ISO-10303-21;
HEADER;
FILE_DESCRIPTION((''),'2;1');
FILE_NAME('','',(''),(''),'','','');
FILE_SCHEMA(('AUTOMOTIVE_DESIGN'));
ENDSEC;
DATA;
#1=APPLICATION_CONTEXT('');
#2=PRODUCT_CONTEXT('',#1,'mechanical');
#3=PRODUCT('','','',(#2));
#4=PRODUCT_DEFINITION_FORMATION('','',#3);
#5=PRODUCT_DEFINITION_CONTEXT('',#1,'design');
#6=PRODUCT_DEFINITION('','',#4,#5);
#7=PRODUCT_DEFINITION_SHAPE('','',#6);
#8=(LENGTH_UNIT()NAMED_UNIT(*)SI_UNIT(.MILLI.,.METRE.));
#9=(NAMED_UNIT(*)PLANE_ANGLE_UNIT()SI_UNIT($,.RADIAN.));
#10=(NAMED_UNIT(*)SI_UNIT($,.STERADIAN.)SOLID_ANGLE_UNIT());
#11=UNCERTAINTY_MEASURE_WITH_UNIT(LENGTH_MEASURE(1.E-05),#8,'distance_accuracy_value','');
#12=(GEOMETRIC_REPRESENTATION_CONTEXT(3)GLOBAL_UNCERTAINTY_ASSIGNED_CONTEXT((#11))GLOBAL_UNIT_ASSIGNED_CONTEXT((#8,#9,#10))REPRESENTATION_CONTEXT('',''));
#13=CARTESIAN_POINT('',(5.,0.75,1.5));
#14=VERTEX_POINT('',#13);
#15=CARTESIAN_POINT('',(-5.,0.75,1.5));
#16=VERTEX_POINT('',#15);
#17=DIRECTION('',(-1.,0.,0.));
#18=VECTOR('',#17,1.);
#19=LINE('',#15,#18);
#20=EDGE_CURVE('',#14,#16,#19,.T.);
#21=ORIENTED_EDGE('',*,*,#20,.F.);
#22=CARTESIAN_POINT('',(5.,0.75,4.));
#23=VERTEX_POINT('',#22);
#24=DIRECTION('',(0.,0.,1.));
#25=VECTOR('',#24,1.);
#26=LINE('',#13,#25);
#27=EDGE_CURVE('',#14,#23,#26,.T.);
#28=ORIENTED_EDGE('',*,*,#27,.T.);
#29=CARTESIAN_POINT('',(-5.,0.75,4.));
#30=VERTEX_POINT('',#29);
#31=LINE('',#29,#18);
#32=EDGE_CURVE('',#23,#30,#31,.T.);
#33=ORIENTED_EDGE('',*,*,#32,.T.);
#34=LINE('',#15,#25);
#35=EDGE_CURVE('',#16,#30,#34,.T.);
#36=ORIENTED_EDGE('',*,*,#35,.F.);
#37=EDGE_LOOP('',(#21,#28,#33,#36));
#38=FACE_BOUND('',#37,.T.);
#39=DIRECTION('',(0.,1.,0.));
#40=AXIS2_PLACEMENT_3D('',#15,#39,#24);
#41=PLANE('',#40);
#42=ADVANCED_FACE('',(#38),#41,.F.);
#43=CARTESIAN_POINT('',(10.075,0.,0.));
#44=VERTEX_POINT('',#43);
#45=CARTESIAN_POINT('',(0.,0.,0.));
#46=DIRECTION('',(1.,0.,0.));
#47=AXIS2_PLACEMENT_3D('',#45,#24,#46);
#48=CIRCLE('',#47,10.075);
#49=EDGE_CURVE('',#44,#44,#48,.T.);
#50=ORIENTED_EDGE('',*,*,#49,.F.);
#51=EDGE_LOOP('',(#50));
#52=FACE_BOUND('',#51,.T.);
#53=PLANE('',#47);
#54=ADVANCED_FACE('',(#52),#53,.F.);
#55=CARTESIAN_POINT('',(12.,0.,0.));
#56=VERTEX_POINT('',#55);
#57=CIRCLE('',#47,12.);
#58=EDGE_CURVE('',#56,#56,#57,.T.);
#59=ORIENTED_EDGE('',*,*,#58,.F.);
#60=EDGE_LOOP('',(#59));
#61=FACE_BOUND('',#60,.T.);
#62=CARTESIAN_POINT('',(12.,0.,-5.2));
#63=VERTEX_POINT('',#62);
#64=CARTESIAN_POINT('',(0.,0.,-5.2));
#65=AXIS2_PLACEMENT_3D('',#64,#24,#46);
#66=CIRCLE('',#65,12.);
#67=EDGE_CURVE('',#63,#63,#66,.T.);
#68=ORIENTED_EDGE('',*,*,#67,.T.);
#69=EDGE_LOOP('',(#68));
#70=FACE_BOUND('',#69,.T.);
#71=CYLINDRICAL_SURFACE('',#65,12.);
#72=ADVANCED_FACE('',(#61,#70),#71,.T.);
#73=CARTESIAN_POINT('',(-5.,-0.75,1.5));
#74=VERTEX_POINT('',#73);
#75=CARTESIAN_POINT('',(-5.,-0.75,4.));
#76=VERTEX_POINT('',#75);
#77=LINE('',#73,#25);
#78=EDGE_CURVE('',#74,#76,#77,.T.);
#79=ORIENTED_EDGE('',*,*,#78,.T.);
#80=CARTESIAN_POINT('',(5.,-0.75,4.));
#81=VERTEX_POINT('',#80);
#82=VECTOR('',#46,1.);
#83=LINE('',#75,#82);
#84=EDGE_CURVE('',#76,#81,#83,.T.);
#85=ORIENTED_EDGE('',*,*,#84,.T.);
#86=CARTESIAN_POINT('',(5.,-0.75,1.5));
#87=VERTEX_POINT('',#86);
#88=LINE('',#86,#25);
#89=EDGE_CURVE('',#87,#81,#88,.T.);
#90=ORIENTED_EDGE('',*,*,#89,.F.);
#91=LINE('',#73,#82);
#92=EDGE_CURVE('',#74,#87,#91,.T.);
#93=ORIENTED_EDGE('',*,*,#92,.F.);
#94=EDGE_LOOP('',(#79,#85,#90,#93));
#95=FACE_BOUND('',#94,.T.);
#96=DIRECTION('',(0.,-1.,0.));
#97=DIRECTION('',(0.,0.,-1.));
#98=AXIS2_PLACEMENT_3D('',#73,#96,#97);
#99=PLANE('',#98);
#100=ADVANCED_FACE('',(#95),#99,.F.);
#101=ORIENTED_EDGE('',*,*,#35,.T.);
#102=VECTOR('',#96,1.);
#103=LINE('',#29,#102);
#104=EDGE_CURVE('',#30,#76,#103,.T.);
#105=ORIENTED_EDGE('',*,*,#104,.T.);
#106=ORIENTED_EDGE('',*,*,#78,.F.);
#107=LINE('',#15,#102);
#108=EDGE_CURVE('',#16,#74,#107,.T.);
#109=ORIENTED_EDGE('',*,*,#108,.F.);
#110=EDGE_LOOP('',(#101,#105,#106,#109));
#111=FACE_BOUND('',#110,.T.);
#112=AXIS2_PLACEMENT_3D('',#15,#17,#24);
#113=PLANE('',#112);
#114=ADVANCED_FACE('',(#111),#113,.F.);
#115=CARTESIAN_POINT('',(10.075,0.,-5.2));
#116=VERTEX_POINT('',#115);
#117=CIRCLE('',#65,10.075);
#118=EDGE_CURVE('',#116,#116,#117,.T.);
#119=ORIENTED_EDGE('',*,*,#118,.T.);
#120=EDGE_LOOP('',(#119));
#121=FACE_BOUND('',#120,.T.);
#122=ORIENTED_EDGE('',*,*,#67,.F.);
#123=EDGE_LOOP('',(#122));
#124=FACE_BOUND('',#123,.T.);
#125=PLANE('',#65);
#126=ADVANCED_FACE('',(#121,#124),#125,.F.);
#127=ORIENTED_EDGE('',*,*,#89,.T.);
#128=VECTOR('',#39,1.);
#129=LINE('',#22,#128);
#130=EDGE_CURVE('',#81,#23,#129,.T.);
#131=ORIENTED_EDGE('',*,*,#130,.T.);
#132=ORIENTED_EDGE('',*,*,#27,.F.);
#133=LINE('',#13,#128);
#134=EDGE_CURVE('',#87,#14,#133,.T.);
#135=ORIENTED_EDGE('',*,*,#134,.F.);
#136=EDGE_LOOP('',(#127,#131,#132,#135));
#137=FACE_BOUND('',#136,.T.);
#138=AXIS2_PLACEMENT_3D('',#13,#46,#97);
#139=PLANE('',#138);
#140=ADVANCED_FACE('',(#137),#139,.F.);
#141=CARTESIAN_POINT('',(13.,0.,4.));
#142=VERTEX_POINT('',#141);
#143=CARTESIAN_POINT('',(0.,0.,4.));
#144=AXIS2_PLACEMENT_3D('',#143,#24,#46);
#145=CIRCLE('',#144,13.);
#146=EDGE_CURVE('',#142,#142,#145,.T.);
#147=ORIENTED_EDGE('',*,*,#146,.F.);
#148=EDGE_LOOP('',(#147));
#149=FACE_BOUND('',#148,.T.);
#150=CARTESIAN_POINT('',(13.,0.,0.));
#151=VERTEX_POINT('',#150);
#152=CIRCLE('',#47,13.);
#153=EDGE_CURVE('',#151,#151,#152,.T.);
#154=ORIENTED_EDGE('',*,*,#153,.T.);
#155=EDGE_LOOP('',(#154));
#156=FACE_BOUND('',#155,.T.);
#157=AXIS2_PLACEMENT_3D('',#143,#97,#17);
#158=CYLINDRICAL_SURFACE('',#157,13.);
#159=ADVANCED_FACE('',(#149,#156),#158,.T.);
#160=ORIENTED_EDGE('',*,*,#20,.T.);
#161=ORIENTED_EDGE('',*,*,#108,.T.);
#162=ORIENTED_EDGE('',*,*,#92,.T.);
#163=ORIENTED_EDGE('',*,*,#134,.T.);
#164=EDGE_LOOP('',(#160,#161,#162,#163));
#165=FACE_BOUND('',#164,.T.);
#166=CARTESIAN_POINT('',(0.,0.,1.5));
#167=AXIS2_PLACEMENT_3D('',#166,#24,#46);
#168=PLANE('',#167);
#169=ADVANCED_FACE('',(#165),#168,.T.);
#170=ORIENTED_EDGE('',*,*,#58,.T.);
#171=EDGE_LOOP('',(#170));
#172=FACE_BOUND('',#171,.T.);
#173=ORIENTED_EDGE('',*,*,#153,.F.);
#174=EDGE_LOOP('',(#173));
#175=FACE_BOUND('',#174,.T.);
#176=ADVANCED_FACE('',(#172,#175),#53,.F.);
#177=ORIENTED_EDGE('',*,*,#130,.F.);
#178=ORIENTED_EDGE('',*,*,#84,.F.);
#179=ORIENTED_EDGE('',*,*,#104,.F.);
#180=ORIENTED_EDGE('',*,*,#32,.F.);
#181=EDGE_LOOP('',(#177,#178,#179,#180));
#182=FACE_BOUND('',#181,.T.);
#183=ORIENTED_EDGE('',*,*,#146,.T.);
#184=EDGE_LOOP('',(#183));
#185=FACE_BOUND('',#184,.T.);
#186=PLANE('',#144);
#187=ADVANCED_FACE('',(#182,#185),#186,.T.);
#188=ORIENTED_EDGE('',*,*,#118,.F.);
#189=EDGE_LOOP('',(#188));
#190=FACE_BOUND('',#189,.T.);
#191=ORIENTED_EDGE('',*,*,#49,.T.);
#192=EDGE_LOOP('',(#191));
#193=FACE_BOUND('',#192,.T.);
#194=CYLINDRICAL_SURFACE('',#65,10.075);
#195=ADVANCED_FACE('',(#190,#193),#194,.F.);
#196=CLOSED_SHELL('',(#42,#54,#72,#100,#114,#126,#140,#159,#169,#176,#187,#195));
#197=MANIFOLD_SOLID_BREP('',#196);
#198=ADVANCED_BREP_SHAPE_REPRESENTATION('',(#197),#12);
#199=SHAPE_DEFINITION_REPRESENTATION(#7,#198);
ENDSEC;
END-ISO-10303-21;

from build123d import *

# Parameters (mm, degrees)
SKETCH_1_R          = 13
EXTRUDE_1_DEPTH     = 4
SKETCH_2_R          = 12
SKETCH_2_R_2        = 10.075
EXTRUDE_2_DEPTH     = 5.2
SKETCH_3_W          = 10
SKETCH_3_H          = 1.5
CUT_EXTRUDE_1_DEPTH = 2.5


with BuildPart() as part:
    # 스케치1 → 보스-돌출1 (new body)
    with BuildSketch(Plane.XY):
        Circle(SKETCH_1_R)
    extrude(amount=EXTRUDE_1_DEPTH)

    # 스케치2 → 보스-돌출2 (add)
    with BuildSketch(Plane.XY):
        Circle(SKETCH_2_R)
        Circle(SKETCH_2_R_2, mode=Mode.SUBTRACT)
    extrude(amount=-EXTRUDE_2_DEPTH)

    # 스케치3 → 컷-돌출1 (cut)
    with BuildSketch(Plane.XY.offset(4)):
        Rectangle(SKETCH_3_W, SKETCH_3_H)
    extrude(amount=-CUT_EXTRUDE_1_DEPTH, mode=Mode.SUBTRACT)


solid = part.part
